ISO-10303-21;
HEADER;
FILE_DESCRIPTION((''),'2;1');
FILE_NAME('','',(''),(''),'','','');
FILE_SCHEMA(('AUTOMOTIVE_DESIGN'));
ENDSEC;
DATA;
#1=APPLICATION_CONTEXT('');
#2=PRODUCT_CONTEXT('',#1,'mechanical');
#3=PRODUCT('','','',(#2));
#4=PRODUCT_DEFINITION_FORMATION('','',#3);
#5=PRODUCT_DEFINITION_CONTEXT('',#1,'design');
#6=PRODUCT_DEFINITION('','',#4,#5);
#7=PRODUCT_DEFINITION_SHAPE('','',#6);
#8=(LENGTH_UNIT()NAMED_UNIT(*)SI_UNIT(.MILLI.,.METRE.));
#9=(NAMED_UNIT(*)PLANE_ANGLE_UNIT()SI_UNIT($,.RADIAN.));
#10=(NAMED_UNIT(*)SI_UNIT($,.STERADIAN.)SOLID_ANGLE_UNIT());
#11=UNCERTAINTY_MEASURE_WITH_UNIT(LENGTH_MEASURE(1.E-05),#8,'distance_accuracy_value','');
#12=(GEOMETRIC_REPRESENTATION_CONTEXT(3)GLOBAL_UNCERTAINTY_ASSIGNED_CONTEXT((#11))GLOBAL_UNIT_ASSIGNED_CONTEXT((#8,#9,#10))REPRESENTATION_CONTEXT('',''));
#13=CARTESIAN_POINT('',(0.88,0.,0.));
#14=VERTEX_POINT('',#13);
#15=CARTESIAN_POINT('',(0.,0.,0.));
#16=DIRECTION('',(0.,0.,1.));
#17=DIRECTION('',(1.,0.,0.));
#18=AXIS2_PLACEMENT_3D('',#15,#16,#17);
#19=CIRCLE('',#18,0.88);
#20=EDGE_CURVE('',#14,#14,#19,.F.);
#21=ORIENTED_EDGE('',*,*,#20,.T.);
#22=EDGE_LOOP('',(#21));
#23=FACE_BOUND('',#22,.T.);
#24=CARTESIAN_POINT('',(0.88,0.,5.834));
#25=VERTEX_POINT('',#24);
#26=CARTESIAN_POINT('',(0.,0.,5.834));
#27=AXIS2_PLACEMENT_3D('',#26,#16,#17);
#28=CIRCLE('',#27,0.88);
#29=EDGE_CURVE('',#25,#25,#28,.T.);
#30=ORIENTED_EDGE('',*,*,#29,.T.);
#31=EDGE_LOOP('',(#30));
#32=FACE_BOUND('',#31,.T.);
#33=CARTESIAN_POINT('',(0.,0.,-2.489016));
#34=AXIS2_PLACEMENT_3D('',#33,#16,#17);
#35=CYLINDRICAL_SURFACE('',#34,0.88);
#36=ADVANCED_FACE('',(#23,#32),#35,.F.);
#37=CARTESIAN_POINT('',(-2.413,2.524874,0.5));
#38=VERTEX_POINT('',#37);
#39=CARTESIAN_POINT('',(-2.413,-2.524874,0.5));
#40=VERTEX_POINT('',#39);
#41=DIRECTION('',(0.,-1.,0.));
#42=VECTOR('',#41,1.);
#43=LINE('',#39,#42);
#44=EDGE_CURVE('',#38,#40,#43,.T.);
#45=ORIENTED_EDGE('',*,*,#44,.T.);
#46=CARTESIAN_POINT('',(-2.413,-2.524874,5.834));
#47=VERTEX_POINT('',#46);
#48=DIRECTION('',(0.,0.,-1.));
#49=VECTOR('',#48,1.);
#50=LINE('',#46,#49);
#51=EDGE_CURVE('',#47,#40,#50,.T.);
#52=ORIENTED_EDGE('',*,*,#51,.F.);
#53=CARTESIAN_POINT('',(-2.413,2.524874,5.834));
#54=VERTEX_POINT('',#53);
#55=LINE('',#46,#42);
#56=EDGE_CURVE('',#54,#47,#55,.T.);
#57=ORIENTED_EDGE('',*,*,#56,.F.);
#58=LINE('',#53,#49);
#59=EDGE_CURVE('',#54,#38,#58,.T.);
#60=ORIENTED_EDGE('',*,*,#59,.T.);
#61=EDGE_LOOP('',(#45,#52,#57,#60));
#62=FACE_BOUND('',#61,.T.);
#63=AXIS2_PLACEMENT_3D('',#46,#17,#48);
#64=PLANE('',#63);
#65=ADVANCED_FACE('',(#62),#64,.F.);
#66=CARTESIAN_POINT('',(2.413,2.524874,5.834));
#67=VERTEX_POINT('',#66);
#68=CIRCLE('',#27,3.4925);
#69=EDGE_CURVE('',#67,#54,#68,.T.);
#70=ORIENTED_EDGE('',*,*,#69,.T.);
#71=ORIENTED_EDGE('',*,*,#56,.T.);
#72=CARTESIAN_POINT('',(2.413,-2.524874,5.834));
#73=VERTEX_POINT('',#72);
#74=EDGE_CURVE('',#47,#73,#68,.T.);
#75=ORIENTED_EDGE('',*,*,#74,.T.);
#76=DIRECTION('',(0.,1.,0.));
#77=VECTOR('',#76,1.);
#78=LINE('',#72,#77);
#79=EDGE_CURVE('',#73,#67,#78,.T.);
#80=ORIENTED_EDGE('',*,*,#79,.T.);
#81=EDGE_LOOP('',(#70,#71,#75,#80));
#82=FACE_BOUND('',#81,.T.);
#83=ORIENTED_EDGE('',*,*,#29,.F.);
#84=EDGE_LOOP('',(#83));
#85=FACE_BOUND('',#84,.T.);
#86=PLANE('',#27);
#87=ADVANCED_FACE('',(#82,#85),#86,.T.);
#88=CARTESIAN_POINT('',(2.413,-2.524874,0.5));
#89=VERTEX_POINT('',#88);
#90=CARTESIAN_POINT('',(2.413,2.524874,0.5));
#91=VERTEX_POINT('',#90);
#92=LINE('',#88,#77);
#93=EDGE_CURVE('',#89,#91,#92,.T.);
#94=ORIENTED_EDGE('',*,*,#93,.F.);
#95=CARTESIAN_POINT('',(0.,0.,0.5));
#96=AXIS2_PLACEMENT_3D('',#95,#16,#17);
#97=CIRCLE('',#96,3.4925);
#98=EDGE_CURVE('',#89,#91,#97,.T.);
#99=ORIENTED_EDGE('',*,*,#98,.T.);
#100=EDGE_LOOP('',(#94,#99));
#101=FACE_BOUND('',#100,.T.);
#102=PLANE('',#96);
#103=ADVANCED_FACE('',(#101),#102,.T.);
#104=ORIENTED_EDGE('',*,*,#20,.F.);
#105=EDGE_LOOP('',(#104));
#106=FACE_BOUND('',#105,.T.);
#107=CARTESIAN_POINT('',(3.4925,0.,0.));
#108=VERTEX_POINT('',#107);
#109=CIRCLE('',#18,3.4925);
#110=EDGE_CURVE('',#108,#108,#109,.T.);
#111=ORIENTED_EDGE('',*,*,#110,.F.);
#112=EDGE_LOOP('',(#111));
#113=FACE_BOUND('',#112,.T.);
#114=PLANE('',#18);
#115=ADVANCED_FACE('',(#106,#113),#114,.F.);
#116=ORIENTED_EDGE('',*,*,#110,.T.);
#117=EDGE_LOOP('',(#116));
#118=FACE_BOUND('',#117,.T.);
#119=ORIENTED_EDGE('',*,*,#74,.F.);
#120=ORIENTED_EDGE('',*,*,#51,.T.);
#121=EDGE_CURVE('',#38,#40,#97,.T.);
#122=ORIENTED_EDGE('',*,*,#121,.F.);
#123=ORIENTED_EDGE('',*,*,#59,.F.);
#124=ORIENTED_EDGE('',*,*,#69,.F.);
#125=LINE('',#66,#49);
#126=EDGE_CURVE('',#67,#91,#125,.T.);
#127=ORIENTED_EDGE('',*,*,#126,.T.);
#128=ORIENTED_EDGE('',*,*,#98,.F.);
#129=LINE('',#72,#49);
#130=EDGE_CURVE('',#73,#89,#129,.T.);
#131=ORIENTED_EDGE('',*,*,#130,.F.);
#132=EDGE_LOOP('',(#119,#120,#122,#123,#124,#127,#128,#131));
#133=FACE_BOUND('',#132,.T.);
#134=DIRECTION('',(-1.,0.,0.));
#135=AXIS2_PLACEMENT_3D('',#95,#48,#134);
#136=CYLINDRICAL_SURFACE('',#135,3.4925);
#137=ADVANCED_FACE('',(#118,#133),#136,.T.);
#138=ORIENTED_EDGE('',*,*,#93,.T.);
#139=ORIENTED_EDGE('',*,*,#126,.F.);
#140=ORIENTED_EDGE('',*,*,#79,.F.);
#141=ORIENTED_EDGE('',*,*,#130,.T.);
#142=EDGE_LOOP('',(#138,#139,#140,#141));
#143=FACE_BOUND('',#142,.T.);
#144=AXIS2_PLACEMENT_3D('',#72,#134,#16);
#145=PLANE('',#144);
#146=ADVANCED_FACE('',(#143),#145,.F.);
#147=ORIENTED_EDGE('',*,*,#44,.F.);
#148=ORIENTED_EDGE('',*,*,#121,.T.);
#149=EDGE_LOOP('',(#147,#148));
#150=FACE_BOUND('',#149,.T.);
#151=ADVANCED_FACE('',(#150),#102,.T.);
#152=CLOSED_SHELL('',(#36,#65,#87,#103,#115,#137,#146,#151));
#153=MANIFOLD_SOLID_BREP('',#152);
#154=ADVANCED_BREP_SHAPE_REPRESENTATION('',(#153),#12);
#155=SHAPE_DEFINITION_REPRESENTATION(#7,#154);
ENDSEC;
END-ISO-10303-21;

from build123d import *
from build123d.topology import SkipClean

# Parameters (mm, degrees)
SKETCH1_R          = 3.4925
EXTRUDE1_DEPTH     = 0.5
EXTRUDE2_DEPTH     = 5.334
CUT_EXTRUDE1_REACH = 9.644
SKETCH3_R          = 0.88


with BuildPart() as part:
    # Sketch1 → Extrude1 (new body)
    with BuildSketch(Plane.XY):
        with Locations(Location((0, 0, 0), (0, 0, 133.702114437))):
            Circle(SKETCH1_R)
    extrude(amount=EXTRUDE1_DEPTH)

    # Sketch2 → Extrude2 (add)
    with SkipClean():  # the faces are left unmerged after this step: merging them gives an invalid solid
        with BuildSketch(Plane.XY.offset(0.5)):
            with BuildLine():
                Line((2.413, -2.52487371), (2.413, 2.52487371))
                ThreePointArc((2.413, 2.52487371), (0, 3.4925), (-2.413, 2.52487371))
                Line((-2.413, 2.52487371), (-2.413, -2.52487371))
                ThreePointArc((-2.413, -2.52487371), (0, -3.4925), (2.413, -2.52487371))
            make_face()
        extrude(amount=EXTRUDE2_DEPTH)

    # Sketch3 → Cut-Extrude1 (cut, up to next)
    with BuildSketch(Plane.XY.offset(5.834), mode=Mode.PRIVATE) as cut_extrude1_sk1:
        Circle(SKETCH3_R)
    cut_extrude1_tool1 = extrude(cut_extrude1_sk1.sketch, amount=-CUT_EXTRUDE1_REACH, mode=Mode.PRIVATE) & part.part
    add(cut_extrude1_tool1.solids().sort_by_distance((0, 0, 5.834))[0], mode=Mode.SUBTRACT)


solid = part.part
